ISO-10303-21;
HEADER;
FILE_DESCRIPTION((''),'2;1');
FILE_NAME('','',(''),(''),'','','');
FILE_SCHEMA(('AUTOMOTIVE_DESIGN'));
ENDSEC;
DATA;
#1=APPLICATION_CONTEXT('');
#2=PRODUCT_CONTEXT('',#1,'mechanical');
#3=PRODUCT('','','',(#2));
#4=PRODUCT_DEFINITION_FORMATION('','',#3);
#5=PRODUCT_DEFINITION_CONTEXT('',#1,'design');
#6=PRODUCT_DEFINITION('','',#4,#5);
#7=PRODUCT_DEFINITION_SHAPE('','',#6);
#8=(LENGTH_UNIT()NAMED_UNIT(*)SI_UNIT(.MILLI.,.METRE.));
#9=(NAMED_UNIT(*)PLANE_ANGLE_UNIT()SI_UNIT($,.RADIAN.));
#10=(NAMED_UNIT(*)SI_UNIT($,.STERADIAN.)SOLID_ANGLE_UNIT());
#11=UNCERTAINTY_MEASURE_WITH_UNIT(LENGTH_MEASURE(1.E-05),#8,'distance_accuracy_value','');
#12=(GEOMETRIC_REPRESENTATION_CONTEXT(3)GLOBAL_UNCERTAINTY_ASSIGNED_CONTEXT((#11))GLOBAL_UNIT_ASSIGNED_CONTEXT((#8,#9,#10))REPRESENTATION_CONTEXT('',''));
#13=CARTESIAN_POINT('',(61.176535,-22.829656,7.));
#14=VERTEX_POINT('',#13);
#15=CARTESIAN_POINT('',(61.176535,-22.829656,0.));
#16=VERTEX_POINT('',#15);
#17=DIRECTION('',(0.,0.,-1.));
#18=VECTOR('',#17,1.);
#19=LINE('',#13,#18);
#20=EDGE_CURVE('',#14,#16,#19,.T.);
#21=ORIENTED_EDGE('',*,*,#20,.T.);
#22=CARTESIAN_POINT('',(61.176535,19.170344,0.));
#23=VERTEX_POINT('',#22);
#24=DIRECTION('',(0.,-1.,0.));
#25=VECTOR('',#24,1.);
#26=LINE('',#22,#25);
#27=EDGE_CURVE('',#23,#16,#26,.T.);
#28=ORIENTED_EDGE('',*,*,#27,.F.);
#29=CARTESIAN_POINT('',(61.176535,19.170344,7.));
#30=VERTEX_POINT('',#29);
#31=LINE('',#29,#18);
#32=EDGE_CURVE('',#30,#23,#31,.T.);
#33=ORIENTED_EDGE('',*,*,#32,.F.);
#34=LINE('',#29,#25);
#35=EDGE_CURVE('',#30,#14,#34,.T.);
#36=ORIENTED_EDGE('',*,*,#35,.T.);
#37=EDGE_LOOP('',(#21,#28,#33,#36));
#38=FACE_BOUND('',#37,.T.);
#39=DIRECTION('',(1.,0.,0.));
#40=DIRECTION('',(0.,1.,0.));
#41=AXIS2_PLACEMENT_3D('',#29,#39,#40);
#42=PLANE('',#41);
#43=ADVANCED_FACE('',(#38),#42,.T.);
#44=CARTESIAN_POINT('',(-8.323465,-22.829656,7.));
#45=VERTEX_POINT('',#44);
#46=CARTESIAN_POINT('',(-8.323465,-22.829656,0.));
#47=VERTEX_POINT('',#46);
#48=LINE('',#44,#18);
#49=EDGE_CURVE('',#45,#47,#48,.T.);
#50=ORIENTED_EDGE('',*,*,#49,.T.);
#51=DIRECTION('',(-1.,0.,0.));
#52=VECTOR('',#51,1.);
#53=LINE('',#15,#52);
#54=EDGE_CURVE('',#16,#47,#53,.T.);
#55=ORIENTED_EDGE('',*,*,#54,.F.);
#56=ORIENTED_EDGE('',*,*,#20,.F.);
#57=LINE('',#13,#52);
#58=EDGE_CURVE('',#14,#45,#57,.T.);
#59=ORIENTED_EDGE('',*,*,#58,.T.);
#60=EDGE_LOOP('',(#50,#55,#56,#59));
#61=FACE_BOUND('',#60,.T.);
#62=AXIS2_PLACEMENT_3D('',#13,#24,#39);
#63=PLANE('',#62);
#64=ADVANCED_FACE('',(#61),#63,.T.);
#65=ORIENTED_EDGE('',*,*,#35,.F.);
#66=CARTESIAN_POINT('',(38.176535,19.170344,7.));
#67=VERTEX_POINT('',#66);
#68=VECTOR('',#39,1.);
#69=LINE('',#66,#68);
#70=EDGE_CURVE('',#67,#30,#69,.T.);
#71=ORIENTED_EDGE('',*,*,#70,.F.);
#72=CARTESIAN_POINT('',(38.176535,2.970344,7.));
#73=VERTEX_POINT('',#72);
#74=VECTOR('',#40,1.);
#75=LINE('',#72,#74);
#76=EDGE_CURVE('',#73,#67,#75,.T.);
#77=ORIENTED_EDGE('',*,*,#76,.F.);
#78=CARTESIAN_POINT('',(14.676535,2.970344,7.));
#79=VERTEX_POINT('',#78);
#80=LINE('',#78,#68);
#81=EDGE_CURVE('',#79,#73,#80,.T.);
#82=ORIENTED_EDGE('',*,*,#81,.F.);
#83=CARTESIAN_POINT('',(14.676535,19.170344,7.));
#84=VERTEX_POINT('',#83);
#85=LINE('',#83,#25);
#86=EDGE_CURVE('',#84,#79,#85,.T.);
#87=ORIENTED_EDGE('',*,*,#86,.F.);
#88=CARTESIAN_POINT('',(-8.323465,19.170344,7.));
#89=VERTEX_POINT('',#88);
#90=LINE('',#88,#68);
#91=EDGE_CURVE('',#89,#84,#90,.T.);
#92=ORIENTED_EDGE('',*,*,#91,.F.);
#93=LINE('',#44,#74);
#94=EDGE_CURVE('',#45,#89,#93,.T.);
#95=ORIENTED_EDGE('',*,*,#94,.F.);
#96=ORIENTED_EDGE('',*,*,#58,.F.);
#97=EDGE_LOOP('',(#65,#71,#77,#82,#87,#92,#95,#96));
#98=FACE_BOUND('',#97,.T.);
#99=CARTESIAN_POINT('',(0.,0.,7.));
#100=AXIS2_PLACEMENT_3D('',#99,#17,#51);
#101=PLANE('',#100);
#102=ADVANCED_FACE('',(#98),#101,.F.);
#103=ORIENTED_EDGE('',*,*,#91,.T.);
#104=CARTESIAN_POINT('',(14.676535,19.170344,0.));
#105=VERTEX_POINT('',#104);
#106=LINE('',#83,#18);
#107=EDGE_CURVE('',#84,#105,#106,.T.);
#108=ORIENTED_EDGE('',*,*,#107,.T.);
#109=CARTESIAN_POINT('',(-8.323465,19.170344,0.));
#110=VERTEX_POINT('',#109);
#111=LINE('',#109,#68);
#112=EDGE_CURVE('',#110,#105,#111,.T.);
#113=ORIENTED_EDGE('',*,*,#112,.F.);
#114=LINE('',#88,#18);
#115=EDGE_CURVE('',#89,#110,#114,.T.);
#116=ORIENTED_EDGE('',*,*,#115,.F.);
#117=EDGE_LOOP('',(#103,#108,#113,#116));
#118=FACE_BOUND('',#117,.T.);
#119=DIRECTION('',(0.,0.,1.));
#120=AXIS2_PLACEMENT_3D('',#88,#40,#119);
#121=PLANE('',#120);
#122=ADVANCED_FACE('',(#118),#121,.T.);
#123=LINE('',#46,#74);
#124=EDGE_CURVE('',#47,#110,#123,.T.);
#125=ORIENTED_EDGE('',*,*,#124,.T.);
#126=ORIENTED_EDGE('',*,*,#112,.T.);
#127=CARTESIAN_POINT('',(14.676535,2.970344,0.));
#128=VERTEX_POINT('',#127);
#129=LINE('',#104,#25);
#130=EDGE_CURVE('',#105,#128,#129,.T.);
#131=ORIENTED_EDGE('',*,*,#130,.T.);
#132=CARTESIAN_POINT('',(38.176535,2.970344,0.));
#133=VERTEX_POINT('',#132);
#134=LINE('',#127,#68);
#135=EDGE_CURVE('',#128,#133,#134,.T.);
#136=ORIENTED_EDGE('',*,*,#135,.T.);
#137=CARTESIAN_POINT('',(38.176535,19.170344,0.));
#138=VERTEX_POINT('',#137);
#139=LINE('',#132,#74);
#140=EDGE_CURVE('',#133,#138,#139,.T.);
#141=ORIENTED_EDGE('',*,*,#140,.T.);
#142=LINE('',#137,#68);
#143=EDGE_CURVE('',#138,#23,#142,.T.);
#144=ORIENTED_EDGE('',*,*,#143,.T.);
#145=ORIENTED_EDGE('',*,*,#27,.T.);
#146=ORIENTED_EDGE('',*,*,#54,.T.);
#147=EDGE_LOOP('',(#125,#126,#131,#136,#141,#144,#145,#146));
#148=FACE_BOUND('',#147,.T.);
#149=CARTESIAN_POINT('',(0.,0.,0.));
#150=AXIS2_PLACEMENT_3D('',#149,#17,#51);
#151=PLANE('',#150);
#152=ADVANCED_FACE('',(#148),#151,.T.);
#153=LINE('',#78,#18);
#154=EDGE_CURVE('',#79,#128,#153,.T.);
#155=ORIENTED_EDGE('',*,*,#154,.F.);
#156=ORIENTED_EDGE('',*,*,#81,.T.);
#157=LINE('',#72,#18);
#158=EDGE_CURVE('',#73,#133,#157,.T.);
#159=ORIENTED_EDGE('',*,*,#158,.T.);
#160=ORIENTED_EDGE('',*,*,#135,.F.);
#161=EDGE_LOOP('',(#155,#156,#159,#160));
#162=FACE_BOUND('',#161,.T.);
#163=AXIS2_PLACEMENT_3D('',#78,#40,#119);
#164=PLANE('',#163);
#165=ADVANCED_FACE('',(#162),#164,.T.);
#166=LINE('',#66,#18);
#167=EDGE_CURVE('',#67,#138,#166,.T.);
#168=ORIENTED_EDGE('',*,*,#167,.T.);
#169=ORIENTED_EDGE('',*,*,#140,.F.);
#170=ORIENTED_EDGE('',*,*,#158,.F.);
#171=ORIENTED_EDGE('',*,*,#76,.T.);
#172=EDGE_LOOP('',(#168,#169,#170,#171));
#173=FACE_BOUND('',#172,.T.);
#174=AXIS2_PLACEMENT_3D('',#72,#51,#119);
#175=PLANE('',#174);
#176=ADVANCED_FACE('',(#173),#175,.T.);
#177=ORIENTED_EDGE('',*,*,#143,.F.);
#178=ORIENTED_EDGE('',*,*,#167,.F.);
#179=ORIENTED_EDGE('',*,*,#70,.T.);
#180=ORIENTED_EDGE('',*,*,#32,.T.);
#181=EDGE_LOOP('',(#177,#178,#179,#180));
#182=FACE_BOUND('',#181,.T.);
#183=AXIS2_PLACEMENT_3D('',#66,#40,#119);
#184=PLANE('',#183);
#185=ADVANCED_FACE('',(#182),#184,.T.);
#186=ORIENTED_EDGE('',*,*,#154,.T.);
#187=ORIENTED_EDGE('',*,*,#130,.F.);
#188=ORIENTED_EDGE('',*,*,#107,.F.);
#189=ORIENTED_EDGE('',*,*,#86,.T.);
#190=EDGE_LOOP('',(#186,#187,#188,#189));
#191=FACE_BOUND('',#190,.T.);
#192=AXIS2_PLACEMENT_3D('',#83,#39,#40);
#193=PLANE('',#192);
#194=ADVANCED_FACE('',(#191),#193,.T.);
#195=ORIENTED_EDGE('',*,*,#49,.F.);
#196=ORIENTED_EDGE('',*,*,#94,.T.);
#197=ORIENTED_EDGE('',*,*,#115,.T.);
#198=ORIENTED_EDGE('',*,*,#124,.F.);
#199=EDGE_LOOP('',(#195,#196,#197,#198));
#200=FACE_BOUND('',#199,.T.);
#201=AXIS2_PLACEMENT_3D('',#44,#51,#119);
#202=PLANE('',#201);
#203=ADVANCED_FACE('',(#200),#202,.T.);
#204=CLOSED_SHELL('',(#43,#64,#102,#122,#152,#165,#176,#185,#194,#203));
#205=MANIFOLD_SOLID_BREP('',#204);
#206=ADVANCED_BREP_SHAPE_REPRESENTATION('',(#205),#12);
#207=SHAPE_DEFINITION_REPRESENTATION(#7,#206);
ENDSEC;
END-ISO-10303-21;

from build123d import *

# Parameters (mm, degrees)
BOSS_EXTRUDE1_DEPTH = 7


with BuildPart() as part:
    # Sketch1 → Boss-Extrude1 (new body)
    with BuildSketch(Plane.XY):
        Polygon((38.176534756, 19.170344417), (61.176534756, 19.170344417), (61.176534756, -22.829655583), (-8.323465244, -22.829655583), (-8.323465244, 19.170344417), (14.676534756, 19.170344417), (14.676534756, 2.970344417), (38.176534756, 2.970344417), align=None)
    extrude(amount=BOSS_EXTRUDE1_DEPTH)


solid = part.part
